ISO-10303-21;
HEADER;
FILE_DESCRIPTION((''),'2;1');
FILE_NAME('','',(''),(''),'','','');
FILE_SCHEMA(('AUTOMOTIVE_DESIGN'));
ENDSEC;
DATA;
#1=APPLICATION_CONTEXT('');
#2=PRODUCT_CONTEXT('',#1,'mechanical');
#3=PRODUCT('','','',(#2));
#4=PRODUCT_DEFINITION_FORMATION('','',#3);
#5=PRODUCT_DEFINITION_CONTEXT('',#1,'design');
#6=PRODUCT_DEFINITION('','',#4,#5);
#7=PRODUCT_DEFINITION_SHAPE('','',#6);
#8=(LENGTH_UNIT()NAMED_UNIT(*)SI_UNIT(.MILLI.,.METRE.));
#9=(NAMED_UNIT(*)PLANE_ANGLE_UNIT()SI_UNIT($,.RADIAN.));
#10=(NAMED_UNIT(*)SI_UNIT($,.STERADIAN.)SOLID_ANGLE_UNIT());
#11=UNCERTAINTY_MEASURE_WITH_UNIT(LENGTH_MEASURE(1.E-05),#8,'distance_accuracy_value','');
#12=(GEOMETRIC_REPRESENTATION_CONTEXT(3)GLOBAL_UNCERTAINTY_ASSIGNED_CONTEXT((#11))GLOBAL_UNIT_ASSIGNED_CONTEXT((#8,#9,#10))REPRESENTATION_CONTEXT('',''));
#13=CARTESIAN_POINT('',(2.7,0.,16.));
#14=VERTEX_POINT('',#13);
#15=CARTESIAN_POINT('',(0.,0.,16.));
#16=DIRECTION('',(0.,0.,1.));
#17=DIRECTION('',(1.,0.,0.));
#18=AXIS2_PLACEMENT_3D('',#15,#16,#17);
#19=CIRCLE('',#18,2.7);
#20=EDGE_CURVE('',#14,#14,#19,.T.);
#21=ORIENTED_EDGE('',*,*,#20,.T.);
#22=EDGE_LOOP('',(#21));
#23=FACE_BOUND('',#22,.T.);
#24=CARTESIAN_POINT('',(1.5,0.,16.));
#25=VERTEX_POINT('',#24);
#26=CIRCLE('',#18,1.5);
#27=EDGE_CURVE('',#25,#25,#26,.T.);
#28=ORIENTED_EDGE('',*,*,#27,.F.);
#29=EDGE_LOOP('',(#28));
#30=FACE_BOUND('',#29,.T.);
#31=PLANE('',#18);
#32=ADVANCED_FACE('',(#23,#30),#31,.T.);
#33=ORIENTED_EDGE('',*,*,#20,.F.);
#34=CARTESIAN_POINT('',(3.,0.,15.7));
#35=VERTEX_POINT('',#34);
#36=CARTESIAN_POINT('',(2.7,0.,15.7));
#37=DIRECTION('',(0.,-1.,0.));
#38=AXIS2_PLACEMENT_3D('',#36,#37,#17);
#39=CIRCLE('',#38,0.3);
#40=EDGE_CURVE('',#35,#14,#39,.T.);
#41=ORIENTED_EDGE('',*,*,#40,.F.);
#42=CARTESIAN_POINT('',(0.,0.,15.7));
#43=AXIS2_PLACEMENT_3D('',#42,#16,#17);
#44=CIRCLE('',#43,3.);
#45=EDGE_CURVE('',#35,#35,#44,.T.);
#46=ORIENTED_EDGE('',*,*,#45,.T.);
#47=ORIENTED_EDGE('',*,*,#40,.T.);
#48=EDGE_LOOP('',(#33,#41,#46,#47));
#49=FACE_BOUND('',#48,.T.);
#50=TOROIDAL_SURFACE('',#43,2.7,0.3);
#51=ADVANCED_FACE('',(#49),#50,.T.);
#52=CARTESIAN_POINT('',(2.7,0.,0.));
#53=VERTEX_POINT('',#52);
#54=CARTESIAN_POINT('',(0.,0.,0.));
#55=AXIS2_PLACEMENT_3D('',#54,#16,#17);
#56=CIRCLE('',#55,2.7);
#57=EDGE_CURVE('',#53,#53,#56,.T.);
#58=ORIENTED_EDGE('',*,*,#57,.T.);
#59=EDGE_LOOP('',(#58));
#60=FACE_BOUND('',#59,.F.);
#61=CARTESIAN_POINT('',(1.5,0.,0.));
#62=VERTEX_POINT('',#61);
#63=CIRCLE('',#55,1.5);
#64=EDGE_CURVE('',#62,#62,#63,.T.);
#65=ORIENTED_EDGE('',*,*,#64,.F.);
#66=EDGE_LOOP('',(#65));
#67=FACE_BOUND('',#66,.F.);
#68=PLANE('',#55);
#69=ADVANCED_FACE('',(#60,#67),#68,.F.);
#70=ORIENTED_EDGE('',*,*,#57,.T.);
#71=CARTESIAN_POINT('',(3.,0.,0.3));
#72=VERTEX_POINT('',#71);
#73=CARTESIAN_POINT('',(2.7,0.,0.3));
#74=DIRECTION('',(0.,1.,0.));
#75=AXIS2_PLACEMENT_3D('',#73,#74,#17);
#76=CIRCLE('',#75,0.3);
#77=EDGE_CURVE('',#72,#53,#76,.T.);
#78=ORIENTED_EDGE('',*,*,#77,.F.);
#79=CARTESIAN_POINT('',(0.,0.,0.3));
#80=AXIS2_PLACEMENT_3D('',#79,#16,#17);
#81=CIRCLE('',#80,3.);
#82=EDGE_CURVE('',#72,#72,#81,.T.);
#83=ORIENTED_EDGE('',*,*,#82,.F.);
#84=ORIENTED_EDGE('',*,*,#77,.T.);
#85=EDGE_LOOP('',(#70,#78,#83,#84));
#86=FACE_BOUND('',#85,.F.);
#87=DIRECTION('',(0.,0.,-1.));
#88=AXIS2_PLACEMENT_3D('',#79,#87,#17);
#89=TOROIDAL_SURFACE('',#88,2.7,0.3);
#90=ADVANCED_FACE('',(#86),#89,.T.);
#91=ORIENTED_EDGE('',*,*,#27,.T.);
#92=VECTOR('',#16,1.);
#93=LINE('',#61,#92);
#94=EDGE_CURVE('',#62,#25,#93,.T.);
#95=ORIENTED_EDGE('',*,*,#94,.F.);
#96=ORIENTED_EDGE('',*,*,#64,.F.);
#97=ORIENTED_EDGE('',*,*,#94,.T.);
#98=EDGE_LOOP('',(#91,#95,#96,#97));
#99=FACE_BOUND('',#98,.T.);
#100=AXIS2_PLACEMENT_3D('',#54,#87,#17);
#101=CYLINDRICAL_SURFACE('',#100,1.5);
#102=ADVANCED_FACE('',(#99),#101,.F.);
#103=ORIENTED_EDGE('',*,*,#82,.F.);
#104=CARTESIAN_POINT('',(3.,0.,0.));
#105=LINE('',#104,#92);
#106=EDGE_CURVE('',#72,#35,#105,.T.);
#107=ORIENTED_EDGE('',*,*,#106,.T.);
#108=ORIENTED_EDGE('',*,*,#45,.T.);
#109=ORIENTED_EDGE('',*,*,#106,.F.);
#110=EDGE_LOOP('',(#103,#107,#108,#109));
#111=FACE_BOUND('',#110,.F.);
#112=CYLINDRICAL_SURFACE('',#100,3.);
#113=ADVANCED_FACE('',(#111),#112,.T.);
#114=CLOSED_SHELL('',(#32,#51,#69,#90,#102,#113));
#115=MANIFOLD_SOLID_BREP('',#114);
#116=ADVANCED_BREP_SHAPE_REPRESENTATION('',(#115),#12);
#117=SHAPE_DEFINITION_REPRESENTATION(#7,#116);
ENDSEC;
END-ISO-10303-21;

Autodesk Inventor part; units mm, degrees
ref_plane "YZ Plane" through (0, 0, 0) normal (1, 0, 0) x (0, 1, 0)
ref_plane "XZ Plane" through (0, 0, 0) normal (0, 1, 0) x (-1, 0, 0)
ref_plane "XY Plane" through (0, 0, 0) normal (0, 0, 1) x (1, 0, 0)
sketch "スケッチ1" plane through (0, 0, 0) normal (0, 0, 1) x (1, 0, 0)
  circle A0 centre (0, 0) radius 1.5
  circle A1 centre (0, 0) radius 3
  dimension "d0" = 3
  dimension "d1" = 6
extrude "押し出し1" add sketch "スケッチ1" along normal blind 16
fillet "フィレット1" radius 0.3 2 edges at (-3, 0, 16) (-3, 0, 0)
thread "ねじ1" size "M3x0.5" class "6H" standard "ANSI Metric M Profile" length 100
properties part number "スペーサーM3L16アルミ" material "アルミニウム 2014-T4"
